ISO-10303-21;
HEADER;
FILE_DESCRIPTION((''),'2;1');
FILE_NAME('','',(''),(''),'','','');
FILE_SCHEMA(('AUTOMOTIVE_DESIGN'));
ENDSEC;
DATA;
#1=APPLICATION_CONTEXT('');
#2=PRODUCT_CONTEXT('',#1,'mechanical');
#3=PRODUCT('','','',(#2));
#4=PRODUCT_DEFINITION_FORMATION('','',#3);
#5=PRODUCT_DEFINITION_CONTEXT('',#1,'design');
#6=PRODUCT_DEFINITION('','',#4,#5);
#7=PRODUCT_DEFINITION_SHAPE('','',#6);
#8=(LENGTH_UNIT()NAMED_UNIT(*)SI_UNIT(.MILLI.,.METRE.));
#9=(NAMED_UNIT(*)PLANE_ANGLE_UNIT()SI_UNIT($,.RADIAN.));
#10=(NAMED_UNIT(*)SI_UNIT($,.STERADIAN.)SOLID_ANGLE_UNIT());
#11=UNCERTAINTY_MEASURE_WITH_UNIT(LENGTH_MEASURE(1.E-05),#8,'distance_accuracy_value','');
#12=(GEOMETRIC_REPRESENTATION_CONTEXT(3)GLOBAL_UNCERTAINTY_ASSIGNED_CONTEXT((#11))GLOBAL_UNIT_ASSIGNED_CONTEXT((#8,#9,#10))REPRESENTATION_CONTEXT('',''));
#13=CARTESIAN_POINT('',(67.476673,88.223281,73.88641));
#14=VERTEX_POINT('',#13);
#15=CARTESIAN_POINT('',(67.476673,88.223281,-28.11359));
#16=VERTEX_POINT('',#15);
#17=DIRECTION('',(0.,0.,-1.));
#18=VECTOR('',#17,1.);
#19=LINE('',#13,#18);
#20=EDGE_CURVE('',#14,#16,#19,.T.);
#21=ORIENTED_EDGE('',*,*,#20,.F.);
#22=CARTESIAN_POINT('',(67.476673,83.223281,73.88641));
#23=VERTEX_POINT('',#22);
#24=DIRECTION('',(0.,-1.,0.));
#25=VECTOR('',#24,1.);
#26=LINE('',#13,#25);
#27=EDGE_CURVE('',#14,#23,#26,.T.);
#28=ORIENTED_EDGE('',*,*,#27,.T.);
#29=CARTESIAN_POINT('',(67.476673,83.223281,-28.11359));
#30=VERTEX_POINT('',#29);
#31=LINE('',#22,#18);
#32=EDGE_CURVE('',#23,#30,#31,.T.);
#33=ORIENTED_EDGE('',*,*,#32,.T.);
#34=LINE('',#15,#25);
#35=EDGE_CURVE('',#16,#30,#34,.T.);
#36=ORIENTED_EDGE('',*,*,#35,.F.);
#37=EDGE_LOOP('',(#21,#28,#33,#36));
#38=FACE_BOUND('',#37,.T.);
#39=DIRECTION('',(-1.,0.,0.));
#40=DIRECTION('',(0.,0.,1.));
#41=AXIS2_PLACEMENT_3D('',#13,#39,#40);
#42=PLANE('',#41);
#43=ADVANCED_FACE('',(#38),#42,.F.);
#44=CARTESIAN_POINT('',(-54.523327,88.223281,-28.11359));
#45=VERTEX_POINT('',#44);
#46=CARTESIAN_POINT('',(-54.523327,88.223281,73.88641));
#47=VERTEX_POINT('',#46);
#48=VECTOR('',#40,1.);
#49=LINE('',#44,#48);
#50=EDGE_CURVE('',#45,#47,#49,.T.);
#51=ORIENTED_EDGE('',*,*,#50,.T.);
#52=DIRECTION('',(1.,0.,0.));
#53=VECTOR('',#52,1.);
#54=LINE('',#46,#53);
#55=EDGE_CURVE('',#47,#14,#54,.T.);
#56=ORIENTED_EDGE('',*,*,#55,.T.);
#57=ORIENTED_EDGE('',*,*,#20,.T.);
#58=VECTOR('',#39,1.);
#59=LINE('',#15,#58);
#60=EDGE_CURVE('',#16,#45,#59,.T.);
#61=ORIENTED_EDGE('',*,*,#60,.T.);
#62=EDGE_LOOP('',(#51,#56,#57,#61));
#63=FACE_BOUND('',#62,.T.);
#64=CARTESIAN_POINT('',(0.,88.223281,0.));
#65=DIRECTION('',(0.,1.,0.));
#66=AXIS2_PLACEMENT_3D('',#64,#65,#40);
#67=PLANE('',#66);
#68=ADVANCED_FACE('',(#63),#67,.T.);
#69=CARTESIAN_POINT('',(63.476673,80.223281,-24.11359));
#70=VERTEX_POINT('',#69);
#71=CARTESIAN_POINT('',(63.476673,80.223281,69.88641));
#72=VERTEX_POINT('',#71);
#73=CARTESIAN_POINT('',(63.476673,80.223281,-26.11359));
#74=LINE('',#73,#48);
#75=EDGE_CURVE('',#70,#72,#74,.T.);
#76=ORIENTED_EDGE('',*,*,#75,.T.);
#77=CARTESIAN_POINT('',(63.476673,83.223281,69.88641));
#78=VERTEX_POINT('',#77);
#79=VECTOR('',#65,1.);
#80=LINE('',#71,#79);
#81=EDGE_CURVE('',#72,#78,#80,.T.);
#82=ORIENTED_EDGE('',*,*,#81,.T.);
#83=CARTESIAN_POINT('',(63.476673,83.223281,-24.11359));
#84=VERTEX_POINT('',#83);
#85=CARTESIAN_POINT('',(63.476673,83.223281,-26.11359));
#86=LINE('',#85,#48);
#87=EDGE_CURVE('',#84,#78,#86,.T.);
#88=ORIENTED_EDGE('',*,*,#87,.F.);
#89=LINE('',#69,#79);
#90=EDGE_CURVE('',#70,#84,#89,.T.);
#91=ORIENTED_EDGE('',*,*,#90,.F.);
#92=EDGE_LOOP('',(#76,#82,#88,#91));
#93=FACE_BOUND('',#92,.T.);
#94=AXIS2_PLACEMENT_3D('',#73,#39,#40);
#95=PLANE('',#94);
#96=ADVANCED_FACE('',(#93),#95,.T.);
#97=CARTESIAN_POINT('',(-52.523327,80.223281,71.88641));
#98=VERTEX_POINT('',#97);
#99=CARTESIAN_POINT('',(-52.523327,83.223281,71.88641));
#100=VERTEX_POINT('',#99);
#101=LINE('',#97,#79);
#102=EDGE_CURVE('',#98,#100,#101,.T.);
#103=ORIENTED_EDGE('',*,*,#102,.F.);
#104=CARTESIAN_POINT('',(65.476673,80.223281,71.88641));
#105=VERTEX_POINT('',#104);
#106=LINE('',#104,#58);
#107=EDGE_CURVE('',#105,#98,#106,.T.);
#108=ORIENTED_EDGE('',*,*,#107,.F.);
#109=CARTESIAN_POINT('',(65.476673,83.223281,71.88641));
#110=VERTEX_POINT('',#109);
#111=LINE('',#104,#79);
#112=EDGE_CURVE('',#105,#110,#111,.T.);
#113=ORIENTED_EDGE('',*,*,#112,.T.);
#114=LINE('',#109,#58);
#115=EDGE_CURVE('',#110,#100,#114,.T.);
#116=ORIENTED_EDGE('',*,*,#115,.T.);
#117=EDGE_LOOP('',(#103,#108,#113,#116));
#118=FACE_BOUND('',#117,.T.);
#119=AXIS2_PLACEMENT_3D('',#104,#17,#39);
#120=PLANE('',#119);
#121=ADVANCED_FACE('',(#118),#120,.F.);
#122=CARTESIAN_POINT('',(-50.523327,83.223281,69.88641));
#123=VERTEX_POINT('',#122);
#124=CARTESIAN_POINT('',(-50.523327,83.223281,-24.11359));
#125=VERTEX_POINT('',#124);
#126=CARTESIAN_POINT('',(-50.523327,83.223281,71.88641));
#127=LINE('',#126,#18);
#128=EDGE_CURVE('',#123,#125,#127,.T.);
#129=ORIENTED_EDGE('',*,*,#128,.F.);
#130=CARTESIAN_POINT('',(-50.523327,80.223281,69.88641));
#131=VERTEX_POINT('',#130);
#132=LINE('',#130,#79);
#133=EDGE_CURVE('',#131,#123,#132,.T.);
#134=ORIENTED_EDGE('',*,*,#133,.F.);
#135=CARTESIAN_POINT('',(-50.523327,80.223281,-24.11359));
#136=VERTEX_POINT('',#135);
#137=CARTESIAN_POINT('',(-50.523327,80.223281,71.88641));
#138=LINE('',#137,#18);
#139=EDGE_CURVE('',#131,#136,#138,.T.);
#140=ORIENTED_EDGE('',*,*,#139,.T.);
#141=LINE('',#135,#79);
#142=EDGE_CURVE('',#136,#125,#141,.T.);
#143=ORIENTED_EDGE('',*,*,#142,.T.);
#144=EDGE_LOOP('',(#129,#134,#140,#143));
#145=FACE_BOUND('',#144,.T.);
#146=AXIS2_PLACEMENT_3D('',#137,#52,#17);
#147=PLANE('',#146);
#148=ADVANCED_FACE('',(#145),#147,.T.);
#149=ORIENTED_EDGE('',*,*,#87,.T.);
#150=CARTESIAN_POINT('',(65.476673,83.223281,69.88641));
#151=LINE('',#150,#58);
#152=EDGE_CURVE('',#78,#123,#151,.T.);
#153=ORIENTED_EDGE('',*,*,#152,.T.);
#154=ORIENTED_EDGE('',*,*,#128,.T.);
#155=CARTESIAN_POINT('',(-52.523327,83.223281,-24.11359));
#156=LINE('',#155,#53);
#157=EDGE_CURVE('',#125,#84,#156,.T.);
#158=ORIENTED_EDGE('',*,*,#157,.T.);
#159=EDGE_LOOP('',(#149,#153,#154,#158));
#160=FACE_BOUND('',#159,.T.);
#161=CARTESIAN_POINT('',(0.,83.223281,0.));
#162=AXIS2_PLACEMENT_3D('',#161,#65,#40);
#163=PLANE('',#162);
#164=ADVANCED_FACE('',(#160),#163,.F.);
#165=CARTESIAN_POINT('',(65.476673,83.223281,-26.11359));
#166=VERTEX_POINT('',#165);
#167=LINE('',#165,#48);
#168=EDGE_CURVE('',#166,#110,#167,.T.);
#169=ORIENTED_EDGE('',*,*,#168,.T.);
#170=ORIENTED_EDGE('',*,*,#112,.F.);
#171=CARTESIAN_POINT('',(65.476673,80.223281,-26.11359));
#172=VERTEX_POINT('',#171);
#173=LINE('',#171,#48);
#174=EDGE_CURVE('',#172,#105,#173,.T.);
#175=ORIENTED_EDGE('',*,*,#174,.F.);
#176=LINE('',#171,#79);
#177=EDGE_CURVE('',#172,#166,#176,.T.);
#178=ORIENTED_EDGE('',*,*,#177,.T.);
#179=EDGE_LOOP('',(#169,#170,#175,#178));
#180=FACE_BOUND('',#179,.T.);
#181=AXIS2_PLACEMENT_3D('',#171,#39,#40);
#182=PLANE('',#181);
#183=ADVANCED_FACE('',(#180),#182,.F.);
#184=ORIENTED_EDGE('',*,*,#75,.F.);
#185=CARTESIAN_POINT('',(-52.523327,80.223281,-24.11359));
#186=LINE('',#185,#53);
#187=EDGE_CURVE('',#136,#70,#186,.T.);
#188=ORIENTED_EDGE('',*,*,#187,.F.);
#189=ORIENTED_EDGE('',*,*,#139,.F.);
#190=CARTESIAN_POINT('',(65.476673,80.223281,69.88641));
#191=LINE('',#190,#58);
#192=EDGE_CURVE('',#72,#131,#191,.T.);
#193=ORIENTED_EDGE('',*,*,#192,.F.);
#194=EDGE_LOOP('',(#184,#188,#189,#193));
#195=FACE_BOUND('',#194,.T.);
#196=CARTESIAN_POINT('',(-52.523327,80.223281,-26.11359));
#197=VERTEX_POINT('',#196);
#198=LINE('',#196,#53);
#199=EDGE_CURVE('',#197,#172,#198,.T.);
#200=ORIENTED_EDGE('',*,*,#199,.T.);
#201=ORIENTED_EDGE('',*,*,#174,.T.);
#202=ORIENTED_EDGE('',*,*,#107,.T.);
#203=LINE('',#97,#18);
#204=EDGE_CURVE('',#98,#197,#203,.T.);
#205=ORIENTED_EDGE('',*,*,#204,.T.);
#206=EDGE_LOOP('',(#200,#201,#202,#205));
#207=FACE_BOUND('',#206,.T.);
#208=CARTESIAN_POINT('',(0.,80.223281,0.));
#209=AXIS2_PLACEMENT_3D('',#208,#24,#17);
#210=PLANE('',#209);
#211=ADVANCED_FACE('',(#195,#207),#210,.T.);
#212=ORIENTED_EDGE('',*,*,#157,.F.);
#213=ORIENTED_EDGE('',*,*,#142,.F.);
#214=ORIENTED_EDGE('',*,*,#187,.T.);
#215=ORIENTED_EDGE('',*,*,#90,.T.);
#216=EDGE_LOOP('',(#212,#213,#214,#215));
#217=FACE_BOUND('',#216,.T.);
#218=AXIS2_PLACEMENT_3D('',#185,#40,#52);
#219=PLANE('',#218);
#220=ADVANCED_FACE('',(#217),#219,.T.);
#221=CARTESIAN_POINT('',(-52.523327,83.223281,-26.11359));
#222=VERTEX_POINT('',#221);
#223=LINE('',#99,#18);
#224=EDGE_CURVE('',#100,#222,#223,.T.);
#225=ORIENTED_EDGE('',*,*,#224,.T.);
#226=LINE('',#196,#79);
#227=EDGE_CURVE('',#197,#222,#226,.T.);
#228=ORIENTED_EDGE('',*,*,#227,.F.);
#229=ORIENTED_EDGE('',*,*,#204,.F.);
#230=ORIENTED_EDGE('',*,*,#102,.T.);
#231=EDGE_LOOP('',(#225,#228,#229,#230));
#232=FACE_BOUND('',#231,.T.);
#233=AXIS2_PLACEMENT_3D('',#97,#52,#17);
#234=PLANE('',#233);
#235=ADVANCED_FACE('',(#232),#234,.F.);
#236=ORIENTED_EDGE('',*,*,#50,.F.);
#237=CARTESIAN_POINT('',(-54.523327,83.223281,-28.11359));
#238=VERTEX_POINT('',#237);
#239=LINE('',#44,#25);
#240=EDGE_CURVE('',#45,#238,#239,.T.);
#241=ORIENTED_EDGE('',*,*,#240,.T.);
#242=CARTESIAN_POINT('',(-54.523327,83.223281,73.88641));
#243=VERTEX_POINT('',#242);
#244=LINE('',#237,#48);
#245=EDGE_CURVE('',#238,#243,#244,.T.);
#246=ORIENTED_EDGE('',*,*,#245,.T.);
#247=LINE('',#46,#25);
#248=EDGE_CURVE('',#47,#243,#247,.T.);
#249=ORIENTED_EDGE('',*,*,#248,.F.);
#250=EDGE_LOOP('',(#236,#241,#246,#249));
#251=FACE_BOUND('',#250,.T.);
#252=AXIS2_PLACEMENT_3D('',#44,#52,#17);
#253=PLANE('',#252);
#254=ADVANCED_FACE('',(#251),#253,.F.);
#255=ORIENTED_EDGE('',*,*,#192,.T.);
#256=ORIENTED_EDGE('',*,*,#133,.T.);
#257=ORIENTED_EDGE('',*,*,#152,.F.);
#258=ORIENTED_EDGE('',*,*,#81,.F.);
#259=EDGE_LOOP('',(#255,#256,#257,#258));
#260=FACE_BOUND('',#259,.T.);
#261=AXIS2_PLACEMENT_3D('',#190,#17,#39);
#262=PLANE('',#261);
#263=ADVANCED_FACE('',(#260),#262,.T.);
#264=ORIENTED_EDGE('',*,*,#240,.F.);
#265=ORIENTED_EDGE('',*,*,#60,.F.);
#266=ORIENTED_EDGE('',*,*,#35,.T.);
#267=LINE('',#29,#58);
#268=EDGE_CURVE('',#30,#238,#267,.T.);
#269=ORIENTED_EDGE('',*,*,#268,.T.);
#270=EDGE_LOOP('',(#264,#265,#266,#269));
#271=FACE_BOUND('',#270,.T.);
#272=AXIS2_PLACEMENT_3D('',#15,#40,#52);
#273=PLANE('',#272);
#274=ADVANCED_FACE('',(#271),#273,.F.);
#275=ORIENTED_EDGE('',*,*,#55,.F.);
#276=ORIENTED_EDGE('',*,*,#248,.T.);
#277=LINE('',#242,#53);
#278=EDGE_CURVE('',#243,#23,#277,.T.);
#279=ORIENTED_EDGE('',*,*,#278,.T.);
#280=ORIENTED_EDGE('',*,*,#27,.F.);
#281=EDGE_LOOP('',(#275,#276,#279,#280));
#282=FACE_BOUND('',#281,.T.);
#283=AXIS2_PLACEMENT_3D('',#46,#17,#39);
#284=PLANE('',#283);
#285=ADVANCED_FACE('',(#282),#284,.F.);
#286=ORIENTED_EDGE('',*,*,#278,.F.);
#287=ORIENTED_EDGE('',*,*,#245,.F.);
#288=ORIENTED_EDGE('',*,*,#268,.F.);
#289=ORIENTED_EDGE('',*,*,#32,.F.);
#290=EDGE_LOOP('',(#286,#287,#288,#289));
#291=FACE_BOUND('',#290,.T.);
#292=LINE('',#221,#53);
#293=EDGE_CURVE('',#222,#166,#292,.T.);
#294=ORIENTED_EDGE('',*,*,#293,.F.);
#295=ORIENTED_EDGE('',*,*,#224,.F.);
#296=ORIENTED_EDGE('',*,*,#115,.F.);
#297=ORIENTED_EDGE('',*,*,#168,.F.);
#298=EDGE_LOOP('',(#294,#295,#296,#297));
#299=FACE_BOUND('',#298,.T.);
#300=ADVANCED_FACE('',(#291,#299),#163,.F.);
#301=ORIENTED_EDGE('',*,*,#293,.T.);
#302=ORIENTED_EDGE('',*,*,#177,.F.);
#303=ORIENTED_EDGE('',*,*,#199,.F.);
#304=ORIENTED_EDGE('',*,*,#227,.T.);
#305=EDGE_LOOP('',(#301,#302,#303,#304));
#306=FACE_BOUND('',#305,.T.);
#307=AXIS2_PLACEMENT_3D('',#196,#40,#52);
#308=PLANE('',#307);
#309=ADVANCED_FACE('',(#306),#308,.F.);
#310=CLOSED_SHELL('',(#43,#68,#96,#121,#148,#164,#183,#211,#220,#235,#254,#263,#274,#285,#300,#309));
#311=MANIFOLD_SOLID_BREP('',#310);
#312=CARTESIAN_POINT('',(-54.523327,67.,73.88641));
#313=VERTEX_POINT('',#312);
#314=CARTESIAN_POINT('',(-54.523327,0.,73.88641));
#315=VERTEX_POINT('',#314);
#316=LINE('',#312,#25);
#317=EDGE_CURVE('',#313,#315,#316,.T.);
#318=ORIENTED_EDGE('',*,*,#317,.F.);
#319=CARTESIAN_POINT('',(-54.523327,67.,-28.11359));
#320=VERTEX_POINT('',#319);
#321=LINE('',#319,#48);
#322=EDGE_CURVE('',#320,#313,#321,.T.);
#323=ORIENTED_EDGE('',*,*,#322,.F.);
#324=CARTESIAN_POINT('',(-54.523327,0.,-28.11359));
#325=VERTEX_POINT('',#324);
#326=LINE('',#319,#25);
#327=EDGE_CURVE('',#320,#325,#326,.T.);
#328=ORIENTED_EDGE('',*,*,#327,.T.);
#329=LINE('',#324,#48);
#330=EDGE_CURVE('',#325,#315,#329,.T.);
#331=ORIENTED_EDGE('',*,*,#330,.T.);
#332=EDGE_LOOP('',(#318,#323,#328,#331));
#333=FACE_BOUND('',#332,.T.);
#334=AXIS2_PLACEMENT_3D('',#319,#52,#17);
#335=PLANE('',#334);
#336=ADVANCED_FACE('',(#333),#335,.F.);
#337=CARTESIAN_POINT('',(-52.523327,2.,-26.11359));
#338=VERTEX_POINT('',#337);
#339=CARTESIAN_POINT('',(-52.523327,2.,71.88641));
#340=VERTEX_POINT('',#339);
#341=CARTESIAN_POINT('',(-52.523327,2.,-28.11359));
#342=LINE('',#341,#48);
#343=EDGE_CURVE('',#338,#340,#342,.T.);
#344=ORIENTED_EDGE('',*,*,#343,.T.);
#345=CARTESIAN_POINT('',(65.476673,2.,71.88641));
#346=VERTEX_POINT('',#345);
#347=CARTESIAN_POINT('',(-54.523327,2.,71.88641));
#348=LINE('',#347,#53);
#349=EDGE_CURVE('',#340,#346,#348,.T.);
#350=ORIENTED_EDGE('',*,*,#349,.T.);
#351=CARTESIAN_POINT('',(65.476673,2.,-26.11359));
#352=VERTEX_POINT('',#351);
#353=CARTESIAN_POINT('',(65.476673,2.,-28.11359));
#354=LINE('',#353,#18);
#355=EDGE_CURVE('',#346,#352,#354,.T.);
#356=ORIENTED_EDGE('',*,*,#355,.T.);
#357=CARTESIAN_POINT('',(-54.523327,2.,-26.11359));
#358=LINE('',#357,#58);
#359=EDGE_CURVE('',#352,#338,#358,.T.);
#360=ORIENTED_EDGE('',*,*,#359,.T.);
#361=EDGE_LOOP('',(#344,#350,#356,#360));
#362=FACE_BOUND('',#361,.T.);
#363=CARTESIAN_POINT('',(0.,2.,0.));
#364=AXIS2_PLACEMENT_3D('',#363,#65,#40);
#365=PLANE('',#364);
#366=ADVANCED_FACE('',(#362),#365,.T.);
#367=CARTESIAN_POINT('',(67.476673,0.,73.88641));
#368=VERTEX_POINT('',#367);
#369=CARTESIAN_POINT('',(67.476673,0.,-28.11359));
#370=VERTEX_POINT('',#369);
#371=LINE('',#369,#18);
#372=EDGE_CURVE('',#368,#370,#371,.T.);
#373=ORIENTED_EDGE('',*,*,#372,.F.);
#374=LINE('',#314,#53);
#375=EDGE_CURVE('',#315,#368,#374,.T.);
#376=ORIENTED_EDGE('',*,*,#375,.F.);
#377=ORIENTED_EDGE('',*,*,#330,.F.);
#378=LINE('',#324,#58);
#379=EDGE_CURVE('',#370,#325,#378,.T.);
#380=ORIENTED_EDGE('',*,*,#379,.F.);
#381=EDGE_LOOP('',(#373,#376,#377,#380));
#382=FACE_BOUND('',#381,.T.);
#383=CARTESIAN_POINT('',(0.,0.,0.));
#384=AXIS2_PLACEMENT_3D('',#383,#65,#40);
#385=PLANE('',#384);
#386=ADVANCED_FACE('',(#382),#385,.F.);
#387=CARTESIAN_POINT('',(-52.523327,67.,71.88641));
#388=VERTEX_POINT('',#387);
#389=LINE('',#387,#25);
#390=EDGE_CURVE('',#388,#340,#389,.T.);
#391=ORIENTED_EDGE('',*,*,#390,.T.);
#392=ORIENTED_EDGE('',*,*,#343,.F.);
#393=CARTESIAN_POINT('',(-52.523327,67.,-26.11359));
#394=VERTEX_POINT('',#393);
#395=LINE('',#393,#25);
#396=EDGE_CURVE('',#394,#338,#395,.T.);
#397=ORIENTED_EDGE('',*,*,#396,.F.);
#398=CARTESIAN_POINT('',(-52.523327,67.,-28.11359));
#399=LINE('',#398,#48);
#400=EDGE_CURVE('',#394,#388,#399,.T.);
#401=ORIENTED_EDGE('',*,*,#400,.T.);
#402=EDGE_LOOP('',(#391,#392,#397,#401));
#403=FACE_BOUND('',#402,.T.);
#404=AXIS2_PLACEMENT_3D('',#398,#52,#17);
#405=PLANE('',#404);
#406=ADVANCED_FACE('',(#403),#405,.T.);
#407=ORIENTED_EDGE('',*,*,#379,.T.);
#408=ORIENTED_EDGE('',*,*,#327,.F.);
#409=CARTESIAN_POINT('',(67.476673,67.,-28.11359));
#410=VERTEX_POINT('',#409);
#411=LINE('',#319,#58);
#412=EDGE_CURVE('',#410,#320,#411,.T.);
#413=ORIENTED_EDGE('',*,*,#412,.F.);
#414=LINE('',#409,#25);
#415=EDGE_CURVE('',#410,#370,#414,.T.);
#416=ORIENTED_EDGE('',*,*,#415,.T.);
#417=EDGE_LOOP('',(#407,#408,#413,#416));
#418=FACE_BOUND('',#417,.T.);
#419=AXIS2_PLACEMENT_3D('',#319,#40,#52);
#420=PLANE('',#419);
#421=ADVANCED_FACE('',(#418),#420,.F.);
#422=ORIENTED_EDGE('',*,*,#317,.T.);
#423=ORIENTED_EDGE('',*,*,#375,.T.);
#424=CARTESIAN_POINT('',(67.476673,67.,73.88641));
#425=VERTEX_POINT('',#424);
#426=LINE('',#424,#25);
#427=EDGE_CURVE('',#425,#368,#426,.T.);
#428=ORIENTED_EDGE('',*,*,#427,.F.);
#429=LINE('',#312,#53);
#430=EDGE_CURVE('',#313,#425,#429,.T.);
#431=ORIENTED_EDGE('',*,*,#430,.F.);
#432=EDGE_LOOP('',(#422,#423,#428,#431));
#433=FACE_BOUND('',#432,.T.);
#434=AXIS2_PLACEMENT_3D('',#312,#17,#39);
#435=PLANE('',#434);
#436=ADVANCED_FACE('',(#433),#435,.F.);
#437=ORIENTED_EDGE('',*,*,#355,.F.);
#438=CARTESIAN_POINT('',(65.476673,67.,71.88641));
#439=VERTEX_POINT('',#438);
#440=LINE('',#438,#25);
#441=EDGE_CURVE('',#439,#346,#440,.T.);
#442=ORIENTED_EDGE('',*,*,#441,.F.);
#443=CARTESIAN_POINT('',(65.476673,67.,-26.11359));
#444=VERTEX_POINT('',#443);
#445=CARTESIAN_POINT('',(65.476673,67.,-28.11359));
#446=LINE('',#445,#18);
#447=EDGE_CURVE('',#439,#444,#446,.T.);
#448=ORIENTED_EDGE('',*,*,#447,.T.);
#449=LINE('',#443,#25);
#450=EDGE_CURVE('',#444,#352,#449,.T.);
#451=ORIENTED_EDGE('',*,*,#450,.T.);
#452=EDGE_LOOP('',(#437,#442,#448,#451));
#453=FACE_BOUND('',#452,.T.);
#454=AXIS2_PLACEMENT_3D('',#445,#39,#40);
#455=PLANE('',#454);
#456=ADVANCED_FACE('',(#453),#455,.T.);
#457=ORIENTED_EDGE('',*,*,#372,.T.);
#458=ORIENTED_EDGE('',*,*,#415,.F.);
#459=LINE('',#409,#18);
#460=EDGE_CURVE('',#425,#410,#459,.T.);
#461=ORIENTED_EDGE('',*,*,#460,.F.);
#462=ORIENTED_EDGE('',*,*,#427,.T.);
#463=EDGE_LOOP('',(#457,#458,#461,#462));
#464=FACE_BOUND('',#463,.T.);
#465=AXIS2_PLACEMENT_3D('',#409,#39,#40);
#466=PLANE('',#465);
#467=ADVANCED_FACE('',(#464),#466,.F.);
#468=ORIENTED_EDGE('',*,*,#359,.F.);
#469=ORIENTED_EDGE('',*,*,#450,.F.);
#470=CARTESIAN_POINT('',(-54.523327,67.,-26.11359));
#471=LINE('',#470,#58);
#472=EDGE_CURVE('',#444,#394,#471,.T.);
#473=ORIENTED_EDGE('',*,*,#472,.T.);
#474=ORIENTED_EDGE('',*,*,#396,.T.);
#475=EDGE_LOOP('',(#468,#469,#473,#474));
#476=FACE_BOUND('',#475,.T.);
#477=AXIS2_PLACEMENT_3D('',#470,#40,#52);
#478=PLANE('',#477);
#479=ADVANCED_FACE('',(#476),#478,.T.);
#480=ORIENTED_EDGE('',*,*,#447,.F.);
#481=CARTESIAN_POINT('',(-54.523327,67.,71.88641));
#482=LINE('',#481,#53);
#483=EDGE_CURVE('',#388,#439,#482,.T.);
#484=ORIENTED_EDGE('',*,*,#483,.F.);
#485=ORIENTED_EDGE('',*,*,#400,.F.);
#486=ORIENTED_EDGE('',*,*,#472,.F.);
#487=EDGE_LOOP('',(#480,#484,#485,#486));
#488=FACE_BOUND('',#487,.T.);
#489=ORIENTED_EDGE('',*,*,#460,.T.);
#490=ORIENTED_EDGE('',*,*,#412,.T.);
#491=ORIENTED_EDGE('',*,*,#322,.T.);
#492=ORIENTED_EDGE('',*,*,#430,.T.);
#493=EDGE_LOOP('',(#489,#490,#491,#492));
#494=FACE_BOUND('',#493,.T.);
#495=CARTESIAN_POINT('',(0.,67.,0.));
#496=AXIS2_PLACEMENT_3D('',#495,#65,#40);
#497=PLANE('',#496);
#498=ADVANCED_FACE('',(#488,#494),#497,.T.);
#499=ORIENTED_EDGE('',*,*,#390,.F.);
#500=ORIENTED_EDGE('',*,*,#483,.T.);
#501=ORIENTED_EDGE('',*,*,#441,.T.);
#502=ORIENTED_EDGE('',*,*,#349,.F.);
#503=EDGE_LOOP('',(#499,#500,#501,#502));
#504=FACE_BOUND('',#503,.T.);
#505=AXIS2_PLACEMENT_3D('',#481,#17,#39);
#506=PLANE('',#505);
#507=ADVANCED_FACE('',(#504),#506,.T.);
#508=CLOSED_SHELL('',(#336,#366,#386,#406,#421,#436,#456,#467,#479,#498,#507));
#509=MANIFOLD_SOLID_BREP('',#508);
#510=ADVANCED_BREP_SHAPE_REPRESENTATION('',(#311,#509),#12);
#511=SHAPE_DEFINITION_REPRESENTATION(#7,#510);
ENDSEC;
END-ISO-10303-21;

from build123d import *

# Parameters (mm, degrees)
SKETCH2_W           = 122
SKETCH2_H           = 102
BOSS_EXTRUDE1_DEPTH = 67
SHELL2_T            = -2
SKETCH7_W           = 122
SKETCH7_H           = 102
BOSS_EXTRUDE3_DEPTH = 5
SKETCH8_W           = 118
SKETCH8_H           = 98
SKETCH8_W_2         = 114
SKETCH8_H_2         = 94
EXTRUDE_THIN1_DEPTH = 3


with BuildPart() as part:
    # Sketch2 → Boss-Extrude1 (new body)
    with BuildSketch(Plane(origin=(0, 0, 0), x_dir=(1, 0, 0), z_dir=(0, 1, 0))):
        with Locations((6.476673428, -22.886409736)):
            Rectangle(SKETCH2_W, SKETCH2_H)
    extrude(amount=BOSS_EXTRUDE1_DEPTH)

    # Shell2
    shell2_openings = [part.faces().sort_by_distance(p)[0] for p in [
        (6.476673428, 67, 22.886409736),
    ]]
    offset(amount=SHELL2_T, openings=shell2_openings, kind=Kind.INTERSECTION)


with BuildPart() as body_2:
    # Sketch7 → Boss-Extrude3 (new body)
    with BuildSketch(Plane(origin=(0, 67, 0), x_dir=(1, 0, 0), z_dir=(0, 1, 0))):
        with Locations((6.476673428, -22.886409736)):
            Rectangle(SKETCH7_W, SKETCH7_H)
    extrude(amount=BOSS_EXTRUDE3_DEPTH)

    # Sketch8 → Extrude-Thin1 (add)
    with BuildSketch(Plane.XZ.offset(-67)):
        with Locations((6.476673428, 22.886409736)):
            Rectangle(SKETCH8_W, SKETCH8_H)
        with Locations((6.476673428, 22.886409736)):
            Rectangle(SKETCH8_W_2, SKETCH8_H_2, mode=Mode.SUBTRACT)
    extrude(amount=EXTRUDE_THIN1_DEPTH)


with BuildPart() as body_2_1:
    # Body-Move/Copy1: moved
    add(body_2.part.moved(Location((0, 16.223281248, 0))))


solid = Compound([part.part, body_2_1.part])
